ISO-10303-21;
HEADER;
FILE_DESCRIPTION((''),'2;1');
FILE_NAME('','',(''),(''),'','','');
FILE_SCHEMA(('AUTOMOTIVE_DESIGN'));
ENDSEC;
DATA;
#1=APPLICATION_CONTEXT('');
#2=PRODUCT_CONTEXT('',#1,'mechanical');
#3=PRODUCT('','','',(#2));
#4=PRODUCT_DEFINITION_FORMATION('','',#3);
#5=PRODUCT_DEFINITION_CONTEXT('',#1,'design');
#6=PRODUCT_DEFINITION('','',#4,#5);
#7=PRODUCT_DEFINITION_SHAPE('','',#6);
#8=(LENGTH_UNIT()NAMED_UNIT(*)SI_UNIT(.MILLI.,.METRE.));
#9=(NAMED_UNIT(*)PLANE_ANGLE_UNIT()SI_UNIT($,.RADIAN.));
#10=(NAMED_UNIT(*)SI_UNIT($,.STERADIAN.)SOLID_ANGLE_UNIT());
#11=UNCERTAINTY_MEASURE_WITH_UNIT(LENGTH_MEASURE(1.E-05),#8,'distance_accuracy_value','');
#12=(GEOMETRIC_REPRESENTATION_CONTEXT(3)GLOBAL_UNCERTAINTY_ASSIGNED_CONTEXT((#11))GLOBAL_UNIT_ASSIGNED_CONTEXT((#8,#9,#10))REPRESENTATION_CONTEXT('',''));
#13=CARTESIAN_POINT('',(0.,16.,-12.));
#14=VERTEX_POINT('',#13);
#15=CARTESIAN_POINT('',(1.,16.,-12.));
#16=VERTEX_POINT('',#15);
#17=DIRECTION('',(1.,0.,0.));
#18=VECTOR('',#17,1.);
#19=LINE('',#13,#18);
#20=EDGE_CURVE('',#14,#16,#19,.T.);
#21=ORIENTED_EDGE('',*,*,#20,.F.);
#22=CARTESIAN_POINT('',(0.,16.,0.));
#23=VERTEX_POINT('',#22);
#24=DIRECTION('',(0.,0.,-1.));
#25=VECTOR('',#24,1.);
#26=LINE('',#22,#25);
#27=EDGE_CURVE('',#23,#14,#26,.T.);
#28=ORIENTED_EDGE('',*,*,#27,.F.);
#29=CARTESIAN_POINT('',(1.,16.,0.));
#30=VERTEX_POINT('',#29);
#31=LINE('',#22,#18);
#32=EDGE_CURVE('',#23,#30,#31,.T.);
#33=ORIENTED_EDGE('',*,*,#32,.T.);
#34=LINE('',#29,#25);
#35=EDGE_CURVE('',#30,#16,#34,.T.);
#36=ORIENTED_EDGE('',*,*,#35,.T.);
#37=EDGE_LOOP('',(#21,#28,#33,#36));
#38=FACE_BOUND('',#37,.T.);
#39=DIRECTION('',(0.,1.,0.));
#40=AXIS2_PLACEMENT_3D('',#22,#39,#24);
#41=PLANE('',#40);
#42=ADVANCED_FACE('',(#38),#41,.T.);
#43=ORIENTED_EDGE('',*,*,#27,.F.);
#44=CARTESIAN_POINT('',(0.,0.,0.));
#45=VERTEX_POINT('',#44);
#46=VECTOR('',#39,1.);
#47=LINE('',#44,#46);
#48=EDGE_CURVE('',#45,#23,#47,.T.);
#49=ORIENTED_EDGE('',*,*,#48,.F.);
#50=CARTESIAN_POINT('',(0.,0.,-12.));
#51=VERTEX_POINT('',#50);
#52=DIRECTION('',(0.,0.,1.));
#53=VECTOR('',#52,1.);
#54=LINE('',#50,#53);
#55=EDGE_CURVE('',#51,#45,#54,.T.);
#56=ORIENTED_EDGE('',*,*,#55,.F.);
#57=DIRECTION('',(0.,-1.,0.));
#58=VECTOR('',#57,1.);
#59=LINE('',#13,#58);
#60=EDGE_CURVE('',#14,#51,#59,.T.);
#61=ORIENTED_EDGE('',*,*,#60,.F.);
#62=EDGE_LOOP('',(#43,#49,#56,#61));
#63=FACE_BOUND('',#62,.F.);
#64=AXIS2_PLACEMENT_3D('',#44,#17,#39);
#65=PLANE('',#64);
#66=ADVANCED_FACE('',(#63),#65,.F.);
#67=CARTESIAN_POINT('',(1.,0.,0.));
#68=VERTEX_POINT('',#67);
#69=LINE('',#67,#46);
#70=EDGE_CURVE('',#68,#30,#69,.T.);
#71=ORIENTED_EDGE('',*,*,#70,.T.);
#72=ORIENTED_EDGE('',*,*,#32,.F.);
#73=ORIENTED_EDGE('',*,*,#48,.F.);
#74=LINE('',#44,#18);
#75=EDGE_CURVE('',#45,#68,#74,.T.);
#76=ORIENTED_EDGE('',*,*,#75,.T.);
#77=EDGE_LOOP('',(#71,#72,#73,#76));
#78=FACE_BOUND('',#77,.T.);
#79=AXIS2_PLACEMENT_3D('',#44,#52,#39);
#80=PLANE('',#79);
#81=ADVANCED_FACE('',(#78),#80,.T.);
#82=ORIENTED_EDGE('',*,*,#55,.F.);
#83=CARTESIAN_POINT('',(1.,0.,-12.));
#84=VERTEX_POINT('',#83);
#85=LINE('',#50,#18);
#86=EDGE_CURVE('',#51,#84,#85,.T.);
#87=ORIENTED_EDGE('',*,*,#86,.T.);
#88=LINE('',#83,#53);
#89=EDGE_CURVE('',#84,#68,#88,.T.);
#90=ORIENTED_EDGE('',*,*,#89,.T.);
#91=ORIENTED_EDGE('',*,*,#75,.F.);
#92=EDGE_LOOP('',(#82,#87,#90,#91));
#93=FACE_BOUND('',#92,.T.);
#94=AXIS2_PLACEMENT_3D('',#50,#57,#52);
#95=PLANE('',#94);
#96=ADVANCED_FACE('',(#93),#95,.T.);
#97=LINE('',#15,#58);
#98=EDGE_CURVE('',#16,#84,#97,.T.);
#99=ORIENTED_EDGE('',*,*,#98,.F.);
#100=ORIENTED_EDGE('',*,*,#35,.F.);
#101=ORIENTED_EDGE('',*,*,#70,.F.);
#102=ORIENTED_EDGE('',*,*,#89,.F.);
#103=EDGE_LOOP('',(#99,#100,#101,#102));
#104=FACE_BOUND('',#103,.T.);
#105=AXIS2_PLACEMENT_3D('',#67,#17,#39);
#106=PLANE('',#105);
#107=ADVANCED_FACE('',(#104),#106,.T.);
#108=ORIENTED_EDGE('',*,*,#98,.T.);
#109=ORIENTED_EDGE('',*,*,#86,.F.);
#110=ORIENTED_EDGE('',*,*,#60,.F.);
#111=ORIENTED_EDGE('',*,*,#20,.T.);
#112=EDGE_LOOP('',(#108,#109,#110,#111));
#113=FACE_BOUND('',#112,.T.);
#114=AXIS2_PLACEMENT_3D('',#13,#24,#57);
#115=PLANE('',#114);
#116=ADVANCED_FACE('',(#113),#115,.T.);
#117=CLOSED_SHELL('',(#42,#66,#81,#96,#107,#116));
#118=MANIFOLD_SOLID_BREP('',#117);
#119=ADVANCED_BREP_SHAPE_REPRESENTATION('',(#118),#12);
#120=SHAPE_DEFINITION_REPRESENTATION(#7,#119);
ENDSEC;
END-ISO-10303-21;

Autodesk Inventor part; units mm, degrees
ref_plane "YZ Plane" through (0, 0, 0) normal (1, 0, 0) x (0, 1, 0)
ref_plane "XZ Plane" through (0, 0, 0) normal (0, 1, 0) x (-1, 0, 0)
ref_plane "XY Plane" through (0, 0, 0) normal (0, 0, 1) x (1, 0, 0)
sketch "Sketch1" plane through (0, 0, 0) normal (1, 0, 0) x (0, 1, 0)
  line L0 (0, 0) -> (16, 0)
  line L1 (16, 0) -> (16, -12)
  line L2 (16, -12) -> (0, -12)
  line L3 (0, -12) -> (0, 0)
  dimension "d0" = 16
  dimension "d1" = 12
extrude "Extrusion1" add sketch "Sketch1" along normal blind 1
properties part number "Padding"
